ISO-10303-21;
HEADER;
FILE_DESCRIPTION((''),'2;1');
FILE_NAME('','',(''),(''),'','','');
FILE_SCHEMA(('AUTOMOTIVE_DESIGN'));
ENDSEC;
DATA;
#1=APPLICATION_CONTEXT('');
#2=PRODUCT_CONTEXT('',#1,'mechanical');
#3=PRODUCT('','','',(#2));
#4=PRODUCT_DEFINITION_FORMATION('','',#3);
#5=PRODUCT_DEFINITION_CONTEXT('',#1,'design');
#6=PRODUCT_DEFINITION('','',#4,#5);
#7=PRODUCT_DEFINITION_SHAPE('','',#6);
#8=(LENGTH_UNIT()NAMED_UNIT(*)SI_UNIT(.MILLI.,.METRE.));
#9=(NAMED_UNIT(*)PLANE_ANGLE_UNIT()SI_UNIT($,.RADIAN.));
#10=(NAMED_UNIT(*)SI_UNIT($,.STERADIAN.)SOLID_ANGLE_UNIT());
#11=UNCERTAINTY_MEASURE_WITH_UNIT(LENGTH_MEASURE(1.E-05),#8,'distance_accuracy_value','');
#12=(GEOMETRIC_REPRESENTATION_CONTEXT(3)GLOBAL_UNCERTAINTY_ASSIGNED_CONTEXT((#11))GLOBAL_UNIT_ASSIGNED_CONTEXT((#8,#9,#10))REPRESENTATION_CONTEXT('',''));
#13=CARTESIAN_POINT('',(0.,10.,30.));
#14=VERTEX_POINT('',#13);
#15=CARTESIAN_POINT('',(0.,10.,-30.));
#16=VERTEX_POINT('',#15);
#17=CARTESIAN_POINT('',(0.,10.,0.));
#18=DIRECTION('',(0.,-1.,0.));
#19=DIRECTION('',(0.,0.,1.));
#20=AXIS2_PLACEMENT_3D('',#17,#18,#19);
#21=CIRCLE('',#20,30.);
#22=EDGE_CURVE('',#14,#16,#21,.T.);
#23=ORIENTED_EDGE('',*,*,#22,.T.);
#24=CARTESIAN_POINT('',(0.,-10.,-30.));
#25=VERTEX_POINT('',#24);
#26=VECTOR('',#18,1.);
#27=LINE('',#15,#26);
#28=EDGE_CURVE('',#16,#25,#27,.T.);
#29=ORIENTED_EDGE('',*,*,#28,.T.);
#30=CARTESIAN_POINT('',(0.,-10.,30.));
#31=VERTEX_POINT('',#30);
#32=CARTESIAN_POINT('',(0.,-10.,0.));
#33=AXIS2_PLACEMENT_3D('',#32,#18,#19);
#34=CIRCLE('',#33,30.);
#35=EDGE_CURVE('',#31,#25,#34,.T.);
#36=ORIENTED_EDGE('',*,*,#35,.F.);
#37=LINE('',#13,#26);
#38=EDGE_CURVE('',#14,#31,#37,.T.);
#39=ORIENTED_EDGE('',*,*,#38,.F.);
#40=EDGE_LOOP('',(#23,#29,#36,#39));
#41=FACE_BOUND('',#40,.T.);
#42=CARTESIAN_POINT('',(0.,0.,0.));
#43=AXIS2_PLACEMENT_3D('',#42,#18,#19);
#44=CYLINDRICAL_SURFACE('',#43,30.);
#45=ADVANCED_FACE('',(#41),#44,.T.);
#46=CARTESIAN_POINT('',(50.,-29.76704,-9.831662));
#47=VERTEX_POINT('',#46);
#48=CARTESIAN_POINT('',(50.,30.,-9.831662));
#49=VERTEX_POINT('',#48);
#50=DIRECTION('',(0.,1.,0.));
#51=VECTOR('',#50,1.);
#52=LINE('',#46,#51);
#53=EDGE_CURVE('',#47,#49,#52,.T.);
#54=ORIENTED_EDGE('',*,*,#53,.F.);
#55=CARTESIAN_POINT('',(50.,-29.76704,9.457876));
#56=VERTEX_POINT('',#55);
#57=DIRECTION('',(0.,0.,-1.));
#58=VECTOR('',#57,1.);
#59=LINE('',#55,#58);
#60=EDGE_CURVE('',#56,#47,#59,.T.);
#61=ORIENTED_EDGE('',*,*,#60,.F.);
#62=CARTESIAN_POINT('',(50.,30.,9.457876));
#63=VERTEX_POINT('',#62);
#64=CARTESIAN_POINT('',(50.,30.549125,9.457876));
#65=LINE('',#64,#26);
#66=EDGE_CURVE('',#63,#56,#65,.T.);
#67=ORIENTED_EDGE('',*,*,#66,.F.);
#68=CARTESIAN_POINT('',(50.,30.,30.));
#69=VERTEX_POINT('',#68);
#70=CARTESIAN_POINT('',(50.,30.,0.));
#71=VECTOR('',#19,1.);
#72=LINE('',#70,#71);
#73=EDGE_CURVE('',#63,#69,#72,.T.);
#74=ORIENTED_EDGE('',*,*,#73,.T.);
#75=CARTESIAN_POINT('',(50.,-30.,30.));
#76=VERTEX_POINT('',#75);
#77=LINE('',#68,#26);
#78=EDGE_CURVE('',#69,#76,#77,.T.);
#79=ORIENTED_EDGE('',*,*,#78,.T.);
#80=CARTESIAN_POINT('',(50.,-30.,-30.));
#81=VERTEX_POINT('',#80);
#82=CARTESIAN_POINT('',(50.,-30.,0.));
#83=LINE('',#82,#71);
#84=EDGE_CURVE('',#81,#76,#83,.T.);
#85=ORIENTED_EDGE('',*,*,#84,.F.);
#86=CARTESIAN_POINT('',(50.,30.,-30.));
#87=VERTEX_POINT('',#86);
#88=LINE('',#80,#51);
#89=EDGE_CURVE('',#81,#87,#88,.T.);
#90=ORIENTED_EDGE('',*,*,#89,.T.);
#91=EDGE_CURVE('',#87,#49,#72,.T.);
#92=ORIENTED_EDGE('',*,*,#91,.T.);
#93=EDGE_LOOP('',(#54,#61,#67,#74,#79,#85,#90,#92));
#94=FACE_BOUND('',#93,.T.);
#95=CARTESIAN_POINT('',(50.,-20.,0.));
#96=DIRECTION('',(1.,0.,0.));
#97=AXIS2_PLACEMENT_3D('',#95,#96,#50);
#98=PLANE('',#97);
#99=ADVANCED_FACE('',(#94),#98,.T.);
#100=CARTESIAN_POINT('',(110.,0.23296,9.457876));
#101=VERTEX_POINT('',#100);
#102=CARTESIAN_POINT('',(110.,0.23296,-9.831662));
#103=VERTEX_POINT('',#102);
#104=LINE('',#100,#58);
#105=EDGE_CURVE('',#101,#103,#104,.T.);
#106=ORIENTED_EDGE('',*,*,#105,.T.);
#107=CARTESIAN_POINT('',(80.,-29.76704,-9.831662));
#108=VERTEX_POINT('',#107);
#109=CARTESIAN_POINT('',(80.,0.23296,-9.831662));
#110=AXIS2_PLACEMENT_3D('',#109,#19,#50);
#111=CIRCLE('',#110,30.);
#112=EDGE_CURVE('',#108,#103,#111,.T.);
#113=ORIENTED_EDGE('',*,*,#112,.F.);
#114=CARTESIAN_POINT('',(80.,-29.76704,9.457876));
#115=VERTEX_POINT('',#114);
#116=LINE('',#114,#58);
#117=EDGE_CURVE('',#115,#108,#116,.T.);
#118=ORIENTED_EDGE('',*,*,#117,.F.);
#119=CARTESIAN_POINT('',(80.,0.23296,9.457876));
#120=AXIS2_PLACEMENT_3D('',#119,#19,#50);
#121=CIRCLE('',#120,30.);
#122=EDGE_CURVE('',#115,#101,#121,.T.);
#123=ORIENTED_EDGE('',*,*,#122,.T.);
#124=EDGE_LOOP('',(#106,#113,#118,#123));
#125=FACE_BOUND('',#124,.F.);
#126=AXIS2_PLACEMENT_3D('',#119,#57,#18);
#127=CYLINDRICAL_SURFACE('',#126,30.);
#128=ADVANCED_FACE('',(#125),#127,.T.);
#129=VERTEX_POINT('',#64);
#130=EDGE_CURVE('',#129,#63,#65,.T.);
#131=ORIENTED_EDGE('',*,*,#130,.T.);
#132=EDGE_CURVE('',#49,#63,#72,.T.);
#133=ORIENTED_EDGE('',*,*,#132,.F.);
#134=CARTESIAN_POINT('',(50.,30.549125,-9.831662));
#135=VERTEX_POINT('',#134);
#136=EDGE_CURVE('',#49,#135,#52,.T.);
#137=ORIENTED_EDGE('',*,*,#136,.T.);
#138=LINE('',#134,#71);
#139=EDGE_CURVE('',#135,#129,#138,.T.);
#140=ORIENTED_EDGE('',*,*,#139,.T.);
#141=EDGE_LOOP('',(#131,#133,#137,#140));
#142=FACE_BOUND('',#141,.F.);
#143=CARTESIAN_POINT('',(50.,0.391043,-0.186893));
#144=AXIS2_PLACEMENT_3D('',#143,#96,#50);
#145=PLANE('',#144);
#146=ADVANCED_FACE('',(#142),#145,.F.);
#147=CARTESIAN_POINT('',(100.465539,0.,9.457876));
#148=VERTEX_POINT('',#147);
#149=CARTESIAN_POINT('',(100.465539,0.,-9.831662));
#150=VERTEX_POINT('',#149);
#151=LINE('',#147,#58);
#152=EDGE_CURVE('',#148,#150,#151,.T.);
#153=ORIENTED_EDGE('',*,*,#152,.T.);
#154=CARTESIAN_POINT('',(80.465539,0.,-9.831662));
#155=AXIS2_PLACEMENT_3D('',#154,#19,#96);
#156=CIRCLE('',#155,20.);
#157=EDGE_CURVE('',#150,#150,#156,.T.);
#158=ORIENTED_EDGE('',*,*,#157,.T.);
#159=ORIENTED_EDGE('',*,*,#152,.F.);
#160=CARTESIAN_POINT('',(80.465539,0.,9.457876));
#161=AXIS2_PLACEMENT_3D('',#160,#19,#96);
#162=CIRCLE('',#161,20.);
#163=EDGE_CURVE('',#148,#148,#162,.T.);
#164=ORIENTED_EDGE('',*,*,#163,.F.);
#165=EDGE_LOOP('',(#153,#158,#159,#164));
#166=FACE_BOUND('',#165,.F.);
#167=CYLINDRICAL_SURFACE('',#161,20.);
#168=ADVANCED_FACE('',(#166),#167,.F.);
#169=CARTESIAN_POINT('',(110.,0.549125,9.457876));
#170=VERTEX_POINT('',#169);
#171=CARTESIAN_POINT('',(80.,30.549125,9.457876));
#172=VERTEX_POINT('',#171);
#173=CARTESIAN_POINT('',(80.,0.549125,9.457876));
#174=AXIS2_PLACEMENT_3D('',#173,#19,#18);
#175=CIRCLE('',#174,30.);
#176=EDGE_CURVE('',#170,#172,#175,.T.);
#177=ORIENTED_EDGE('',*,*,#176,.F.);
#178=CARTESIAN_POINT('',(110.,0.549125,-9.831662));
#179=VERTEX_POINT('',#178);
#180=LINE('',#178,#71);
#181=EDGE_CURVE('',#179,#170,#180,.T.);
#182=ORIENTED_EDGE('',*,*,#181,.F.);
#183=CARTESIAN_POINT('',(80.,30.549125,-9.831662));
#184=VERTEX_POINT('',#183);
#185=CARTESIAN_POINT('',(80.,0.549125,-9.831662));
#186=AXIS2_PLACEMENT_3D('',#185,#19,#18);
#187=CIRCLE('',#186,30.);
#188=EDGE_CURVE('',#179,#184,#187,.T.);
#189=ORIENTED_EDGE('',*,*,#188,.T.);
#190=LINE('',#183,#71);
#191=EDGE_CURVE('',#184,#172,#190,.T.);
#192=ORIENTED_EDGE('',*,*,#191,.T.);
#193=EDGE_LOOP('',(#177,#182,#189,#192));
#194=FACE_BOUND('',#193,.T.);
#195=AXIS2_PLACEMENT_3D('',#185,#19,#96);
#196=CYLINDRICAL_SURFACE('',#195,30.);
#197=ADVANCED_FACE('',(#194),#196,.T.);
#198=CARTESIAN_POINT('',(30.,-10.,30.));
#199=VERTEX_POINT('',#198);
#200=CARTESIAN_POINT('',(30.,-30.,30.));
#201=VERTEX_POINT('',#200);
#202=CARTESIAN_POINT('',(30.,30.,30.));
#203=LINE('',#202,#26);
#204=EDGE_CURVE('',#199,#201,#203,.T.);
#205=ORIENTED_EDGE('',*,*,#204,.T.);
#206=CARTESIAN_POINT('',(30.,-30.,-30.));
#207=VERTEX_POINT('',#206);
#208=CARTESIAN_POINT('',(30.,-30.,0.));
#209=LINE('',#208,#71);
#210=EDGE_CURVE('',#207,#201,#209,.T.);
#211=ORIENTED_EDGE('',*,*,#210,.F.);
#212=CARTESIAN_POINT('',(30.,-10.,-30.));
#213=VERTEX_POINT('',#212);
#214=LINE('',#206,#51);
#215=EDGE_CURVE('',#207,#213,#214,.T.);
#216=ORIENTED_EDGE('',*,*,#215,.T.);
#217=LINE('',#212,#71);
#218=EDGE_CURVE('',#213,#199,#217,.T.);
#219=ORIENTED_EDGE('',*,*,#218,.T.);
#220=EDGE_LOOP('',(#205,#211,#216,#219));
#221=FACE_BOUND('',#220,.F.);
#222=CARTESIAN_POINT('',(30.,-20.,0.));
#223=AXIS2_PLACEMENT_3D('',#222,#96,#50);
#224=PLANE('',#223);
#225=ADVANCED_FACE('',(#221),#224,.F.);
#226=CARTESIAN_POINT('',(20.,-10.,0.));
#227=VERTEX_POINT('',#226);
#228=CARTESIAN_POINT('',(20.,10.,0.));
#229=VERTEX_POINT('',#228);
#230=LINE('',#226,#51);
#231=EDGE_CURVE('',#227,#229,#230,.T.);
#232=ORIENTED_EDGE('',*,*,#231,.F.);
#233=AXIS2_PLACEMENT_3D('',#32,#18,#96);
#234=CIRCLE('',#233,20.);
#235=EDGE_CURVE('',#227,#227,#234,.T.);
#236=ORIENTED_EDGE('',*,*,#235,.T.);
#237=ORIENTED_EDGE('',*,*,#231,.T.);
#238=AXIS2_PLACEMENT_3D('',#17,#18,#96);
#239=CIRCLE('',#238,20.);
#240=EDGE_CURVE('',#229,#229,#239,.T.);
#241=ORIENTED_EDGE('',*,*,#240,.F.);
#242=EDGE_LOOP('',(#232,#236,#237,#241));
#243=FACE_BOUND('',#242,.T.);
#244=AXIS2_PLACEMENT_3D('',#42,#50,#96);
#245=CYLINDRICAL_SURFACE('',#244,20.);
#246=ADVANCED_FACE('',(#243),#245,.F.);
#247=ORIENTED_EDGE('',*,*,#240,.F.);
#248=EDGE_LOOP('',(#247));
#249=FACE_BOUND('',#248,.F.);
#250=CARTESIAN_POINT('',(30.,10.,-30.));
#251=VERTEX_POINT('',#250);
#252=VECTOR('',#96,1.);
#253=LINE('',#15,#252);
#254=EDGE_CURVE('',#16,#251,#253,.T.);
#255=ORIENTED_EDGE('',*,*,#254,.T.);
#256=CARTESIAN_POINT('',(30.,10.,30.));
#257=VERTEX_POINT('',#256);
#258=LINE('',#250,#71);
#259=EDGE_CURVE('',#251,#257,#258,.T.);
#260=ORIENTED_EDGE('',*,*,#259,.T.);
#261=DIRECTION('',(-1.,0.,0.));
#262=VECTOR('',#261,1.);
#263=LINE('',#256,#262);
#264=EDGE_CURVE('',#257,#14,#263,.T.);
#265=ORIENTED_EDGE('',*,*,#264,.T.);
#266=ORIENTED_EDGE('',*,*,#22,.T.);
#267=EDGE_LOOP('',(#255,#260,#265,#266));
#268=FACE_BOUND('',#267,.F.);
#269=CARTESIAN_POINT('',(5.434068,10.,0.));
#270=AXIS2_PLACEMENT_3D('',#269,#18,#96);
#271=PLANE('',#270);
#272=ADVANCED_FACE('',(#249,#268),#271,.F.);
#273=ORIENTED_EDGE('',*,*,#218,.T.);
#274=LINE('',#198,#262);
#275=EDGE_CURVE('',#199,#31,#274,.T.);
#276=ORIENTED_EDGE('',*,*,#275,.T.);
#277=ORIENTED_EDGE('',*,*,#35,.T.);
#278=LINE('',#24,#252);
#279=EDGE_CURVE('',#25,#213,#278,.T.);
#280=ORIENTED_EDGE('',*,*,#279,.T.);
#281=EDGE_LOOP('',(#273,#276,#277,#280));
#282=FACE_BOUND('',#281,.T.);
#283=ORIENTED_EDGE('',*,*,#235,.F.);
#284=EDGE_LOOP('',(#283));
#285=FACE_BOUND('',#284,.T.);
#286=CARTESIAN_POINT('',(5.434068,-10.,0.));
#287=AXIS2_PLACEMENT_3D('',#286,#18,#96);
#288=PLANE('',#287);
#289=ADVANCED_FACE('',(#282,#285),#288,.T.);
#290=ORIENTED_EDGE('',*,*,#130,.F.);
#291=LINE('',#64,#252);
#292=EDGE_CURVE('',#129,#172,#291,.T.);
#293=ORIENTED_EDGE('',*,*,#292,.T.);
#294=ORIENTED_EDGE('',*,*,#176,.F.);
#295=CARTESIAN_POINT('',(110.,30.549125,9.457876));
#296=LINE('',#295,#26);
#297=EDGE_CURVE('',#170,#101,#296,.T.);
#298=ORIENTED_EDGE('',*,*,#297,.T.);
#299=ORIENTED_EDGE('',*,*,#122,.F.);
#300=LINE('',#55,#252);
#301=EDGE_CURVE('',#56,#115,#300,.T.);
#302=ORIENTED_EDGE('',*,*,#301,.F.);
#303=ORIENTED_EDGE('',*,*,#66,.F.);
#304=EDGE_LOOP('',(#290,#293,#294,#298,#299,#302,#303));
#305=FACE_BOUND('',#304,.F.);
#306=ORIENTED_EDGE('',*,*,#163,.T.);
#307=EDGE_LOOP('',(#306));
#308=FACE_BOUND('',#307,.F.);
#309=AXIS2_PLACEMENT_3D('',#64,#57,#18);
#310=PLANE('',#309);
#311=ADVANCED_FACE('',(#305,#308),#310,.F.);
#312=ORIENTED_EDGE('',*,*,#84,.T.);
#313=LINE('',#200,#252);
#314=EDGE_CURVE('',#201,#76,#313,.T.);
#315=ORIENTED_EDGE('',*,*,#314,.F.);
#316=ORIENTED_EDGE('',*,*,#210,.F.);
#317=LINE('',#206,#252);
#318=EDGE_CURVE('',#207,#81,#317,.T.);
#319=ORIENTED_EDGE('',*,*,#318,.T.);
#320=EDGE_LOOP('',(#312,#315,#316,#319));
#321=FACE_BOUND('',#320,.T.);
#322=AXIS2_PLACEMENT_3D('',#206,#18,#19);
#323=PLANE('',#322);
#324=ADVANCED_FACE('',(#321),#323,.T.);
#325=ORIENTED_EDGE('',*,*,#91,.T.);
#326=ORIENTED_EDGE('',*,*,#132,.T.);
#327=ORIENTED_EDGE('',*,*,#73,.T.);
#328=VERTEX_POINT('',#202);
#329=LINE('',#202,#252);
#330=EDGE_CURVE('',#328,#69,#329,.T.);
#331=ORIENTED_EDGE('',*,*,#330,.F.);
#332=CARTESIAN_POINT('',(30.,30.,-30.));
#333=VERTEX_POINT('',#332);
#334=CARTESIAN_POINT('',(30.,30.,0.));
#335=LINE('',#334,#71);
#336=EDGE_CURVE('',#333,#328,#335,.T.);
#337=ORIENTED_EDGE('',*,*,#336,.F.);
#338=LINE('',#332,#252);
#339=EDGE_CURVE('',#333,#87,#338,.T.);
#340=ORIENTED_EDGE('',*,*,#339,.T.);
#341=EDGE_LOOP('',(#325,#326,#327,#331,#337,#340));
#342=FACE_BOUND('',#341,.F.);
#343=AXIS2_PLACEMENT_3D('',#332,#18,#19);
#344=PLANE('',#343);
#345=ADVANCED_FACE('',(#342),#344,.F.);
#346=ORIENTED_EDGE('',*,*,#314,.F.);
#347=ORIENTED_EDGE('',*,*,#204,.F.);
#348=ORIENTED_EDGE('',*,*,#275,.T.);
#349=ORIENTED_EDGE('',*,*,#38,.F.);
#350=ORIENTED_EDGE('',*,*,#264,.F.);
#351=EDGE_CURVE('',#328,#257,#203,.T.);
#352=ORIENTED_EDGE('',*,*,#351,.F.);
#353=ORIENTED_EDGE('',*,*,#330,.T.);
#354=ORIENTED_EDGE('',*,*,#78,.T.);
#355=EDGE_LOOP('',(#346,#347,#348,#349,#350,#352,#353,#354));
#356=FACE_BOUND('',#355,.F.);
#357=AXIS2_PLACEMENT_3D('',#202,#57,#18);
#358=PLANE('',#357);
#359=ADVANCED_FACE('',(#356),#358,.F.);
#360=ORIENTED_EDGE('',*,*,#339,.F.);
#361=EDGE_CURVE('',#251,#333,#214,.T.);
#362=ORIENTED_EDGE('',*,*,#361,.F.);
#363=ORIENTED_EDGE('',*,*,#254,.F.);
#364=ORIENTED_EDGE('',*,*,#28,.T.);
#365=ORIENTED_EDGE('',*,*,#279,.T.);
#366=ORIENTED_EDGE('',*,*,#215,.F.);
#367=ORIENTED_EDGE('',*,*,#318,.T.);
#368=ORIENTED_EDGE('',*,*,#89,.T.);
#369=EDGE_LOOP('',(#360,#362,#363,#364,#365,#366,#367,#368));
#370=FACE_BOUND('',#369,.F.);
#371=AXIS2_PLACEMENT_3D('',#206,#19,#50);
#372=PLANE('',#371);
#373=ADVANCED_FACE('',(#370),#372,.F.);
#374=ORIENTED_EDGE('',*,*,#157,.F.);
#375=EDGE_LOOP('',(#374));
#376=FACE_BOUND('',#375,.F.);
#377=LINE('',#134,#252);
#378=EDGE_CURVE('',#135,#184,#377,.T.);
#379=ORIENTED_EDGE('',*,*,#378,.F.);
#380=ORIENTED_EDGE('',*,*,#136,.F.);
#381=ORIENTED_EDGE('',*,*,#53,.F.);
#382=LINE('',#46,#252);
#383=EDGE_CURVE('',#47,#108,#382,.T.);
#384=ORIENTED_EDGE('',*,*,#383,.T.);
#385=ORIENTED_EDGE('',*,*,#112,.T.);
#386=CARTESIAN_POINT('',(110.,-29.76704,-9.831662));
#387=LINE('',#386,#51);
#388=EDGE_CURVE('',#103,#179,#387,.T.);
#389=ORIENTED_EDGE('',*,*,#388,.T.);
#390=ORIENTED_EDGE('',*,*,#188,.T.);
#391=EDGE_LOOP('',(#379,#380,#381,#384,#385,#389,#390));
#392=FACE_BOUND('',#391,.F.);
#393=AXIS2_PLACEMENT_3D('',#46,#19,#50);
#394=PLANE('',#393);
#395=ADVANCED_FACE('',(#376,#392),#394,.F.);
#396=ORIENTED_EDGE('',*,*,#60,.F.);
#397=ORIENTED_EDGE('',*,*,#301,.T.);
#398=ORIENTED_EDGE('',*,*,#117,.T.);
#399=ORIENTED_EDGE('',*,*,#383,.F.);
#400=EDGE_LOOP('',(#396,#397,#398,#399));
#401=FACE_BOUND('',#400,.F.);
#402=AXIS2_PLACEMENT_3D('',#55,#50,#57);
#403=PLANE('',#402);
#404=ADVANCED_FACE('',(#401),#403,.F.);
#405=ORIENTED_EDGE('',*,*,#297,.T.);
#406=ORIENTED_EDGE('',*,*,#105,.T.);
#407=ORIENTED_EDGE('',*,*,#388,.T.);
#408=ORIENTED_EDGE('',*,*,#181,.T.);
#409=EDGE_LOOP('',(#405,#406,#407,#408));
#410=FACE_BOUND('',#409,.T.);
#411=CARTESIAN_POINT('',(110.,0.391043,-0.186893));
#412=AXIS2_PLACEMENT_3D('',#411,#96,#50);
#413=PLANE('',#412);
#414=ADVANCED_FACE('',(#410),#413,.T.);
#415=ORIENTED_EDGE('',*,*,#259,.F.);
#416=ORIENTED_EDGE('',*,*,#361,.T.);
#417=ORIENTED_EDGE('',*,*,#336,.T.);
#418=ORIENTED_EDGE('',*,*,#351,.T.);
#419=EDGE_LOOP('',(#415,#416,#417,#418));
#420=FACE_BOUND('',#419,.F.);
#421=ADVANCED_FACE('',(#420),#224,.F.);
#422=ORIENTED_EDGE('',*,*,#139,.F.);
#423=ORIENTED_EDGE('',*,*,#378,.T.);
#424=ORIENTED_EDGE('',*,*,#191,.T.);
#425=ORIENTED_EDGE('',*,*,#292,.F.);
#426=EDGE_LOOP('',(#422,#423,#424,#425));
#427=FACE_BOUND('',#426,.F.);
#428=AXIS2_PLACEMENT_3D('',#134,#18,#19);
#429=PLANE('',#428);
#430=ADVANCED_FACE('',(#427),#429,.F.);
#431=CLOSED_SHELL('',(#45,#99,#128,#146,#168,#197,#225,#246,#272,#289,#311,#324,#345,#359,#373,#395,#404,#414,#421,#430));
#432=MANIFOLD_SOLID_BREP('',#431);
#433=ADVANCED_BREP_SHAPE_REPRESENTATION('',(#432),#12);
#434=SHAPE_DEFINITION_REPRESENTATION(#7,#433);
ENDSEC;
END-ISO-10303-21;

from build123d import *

# Parameters (mm, degrees)
F8_R          = 20
F0_DEPTH      = 10
F0_DEPTH_BACK = 10
F1_W          = 20
F1_H          = 60
F2_DEPTH      = 20
F9_DEPTH      = 60
F6_R          = 20
F10_DEPTH     = 25
F7_R          = 30


with BuildPart() as f0:
    # F8 (on Front) → F0 (new body, two sides)
    with BuildSketch(Plane.XZ) as f0_sk:
        with BuildLine():
            Line((30, 30), (0, 30))
            ThreePointArc((0, 30), (-30, 0), (0, -30))
            Line((0, -30), (30, -30))
            Line((30, -30), (30, 30))
        make_face()
        Circle(F8_R, mode=Mode.SUBTRACT)
    extrude(amount=F0_DEPTH)
    extrude(f0_sk.sketch, amount=-F0_DEPTH_BACK)

    # F1 (on face) → F2 (join)
    with BuildSketch(Plane.YZ.offset(30)):
        with Locations((-20, 0)):
            Rectangle(F1_W, F1_H)
        with Locations((20, 0)):
            Rectangle(F1_W, F1_H)
        Polygon((10, 30), (0, 30), (-10, 30), (-10, -30), (0, -30), (10, -30), align=None)
    extrude(amount=F2_DEPTH)

    # F5 (on offset) → F9 (join)
    with BuildSketch(Plane.YZ.offset(50)):
        Polygon((-29.7670396838, 9.4578760595), (-29.7670396838, -0.5421239405), (-29.7670396838, -9.8316618399), (30.5491250266, -9.8316618399), (30.5491250266, 9.4578760595), align=None)
    extrude(amount=F9_DEPTH)

    # F6 (on face) → F10 (cut)
    with BuildSketch(Plane.XY.offset(9.4578760595)):
        with Locations((80.4655393111, 0)):
            Circle(F6_R)
    extrude(amount=-F10_DEPTH, mode=Mode.SUBTRACT)

    # F7
    f7_edges = [f0.edges().sort_by_distance(p)[0] for p in [
        (110, -29.76704, -0.186893),
        (110, 30.549125, -0.186893),
    ]]
    fillet(f7_edges, radius=F7_R)


solid = f0.part
